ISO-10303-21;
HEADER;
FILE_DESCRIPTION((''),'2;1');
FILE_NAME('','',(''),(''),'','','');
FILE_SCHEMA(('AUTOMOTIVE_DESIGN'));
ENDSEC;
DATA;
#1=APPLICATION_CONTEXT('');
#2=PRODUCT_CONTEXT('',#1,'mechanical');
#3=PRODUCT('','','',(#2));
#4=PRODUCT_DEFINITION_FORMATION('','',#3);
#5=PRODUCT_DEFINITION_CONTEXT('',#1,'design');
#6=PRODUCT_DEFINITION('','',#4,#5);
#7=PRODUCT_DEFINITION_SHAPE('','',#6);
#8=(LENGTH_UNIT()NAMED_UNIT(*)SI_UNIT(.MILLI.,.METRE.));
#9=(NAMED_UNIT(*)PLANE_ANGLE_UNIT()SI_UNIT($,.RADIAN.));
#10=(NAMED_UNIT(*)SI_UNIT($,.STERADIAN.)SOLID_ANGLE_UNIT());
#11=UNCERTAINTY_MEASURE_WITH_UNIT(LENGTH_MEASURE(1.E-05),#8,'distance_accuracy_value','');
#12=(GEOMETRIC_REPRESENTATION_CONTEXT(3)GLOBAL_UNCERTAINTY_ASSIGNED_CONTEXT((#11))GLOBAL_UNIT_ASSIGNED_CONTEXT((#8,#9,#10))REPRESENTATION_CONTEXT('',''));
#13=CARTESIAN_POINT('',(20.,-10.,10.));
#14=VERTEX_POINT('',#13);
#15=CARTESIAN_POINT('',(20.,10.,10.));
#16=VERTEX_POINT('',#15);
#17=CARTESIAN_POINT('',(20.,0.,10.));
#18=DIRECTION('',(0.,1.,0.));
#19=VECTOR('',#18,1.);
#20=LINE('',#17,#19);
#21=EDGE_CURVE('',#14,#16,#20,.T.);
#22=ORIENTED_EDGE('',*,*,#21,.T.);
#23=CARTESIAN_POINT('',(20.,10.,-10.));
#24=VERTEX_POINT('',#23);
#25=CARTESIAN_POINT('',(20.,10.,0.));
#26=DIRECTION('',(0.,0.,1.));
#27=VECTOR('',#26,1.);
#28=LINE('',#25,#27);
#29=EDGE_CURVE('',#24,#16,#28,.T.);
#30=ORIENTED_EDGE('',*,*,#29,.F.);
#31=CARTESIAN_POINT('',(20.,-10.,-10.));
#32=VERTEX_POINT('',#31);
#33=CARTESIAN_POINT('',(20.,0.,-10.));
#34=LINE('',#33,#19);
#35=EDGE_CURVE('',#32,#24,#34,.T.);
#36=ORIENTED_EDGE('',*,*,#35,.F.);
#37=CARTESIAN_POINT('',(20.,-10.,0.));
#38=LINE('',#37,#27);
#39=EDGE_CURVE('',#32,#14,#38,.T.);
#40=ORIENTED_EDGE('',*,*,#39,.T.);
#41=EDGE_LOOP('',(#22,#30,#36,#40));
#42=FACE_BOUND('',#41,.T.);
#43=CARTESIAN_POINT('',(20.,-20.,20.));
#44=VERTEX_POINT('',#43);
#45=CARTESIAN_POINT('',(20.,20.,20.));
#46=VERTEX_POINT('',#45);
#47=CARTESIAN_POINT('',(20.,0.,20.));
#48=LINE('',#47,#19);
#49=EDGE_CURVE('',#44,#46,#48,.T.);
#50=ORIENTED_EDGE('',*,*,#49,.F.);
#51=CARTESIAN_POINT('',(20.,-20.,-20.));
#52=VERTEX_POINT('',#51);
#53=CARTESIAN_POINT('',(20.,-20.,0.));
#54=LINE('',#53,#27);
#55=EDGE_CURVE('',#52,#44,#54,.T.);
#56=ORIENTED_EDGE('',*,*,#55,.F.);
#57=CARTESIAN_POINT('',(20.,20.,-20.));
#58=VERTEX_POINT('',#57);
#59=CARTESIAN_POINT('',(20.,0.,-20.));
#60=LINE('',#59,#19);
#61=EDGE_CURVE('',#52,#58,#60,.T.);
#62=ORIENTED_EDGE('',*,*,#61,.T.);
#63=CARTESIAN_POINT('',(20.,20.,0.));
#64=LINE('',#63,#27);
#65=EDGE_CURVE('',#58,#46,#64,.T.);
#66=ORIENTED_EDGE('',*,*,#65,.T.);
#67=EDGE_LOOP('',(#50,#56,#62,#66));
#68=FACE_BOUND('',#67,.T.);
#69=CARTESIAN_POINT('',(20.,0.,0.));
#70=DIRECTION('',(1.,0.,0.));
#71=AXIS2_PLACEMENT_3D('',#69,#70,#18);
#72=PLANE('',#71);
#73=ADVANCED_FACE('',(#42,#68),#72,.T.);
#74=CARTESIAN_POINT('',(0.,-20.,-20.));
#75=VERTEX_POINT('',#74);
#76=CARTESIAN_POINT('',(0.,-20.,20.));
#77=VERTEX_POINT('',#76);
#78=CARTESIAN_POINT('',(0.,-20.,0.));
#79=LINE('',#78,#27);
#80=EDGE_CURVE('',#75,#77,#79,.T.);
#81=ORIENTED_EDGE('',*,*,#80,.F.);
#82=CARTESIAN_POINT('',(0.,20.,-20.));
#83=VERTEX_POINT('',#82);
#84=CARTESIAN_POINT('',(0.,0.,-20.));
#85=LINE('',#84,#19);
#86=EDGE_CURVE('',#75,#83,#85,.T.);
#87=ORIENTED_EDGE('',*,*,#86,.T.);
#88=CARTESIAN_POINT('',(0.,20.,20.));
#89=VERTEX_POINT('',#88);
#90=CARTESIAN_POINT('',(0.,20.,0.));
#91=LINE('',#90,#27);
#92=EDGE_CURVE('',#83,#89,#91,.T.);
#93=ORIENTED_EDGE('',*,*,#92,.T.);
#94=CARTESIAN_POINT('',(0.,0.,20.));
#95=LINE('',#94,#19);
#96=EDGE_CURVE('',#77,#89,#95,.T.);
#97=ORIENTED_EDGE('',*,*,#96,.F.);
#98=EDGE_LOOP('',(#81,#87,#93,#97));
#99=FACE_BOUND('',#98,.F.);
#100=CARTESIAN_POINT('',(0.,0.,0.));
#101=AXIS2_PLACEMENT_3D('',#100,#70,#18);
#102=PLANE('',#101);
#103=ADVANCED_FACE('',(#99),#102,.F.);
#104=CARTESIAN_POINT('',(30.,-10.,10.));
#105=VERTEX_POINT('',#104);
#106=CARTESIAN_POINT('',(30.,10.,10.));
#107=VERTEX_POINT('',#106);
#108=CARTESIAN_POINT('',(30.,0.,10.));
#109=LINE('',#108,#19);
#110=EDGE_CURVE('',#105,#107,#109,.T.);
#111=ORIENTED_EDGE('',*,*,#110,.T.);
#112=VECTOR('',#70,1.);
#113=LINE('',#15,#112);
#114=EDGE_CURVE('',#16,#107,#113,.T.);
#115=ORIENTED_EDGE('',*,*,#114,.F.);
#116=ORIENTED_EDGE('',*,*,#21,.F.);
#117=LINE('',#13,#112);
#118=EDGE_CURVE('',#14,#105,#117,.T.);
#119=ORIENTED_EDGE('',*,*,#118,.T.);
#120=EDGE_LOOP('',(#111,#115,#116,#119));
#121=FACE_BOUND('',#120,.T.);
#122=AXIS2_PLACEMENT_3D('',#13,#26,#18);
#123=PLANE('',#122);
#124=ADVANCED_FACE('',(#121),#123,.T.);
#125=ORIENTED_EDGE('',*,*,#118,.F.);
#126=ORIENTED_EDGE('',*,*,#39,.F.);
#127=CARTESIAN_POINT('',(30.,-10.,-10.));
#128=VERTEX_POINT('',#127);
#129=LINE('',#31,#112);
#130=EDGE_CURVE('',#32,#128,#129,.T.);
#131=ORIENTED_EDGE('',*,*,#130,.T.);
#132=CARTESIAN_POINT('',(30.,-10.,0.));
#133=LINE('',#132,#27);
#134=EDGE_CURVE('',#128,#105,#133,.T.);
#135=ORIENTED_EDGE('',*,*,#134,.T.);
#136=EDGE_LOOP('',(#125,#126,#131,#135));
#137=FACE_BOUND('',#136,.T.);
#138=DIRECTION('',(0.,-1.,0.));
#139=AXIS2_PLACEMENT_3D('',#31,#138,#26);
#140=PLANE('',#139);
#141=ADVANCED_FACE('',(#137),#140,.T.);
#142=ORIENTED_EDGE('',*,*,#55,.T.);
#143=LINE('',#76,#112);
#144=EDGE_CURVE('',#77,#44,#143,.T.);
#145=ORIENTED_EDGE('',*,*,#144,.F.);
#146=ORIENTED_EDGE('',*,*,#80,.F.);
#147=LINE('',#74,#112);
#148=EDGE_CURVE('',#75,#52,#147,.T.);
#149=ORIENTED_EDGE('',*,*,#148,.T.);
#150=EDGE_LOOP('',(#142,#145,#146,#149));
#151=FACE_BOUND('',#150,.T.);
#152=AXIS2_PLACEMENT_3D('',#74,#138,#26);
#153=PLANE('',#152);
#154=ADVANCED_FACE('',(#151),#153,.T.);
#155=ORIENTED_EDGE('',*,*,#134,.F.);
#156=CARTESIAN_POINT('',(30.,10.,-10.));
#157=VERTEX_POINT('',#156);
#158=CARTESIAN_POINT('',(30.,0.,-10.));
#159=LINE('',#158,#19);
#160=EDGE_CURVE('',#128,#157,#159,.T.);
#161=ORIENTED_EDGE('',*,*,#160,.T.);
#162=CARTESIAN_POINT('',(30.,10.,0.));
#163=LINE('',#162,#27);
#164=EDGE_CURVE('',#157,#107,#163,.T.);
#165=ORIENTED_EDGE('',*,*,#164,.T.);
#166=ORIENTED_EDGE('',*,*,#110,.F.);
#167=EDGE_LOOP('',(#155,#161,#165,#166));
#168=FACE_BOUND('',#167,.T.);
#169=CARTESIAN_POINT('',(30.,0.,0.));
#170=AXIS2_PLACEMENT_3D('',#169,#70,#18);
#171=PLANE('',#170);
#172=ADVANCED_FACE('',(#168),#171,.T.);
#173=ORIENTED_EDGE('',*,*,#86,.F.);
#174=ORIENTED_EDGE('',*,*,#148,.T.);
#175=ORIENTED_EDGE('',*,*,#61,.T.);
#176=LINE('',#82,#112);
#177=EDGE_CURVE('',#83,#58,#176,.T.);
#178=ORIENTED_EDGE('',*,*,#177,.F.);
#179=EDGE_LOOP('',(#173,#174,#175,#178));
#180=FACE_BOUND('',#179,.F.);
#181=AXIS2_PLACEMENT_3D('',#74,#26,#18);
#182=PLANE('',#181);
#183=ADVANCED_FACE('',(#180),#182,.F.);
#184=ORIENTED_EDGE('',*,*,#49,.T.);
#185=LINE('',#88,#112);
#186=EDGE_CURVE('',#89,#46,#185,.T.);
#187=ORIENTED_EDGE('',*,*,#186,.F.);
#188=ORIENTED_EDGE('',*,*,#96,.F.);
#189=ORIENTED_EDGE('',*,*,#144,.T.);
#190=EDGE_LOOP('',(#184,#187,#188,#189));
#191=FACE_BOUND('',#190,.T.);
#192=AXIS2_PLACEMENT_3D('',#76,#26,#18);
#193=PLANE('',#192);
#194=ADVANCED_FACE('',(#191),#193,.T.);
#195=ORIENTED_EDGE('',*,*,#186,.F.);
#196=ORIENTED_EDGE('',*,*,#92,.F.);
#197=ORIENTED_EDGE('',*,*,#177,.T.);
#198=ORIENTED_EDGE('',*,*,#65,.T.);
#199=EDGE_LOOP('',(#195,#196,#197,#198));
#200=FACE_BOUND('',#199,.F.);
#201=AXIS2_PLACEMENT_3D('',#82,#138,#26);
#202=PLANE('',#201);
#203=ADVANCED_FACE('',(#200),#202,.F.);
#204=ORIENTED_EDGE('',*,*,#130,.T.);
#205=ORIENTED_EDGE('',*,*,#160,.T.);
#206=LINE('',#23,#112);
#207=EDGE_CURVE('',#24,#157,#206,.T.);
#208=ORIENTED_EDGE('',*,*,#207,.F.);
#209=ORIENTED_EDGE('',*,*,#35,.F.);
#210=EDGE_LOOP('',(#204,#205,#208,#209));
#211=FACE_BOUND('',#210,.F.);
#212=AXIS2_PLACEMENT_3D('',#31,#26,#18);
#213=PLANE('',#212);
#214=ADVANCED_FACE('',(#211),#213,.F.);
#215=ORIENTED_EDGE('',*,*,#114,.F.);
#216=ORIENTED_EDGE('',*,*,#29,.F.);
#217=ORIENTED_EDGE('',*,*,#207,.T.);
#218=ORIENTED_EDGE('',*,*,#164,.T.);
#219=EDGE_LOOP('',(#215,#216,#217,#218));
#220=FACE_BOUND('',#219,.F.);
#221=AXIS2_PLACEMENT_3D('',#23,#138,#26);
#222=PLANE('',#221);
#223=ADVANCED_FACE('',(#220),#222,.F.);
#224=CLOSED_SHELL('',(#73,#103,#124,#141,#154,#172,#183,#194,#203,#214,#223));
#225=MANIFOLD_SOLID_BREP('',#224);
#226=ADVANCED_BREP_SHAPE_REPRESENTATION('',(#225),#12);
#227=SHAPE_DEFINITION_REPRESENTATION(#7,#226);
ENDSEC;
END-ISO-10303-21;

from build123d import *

# Parameters (mm, degrees)
F0_W     = 40
F0_H     = 40
F1_DEPTH = 20
F2_W     = 20
F2_H     = 20
F3_DEPTH = 10


with BuildPart() as f1:
    # F0 (on Right) → F1 (new body)
    with BuildSketch(Plane.YZ):
        Rectangle(F0_W, F0_H)
    extrude(amount=F1_DEPTH)

    # F2 (on face) → F3 (join)
    with BuildSketch(Plane.YZ.offset(20)):
        Rectangle(F2_W, F2_H)
    extrude(amount=F3_DEPTH)


solid = f1.part
